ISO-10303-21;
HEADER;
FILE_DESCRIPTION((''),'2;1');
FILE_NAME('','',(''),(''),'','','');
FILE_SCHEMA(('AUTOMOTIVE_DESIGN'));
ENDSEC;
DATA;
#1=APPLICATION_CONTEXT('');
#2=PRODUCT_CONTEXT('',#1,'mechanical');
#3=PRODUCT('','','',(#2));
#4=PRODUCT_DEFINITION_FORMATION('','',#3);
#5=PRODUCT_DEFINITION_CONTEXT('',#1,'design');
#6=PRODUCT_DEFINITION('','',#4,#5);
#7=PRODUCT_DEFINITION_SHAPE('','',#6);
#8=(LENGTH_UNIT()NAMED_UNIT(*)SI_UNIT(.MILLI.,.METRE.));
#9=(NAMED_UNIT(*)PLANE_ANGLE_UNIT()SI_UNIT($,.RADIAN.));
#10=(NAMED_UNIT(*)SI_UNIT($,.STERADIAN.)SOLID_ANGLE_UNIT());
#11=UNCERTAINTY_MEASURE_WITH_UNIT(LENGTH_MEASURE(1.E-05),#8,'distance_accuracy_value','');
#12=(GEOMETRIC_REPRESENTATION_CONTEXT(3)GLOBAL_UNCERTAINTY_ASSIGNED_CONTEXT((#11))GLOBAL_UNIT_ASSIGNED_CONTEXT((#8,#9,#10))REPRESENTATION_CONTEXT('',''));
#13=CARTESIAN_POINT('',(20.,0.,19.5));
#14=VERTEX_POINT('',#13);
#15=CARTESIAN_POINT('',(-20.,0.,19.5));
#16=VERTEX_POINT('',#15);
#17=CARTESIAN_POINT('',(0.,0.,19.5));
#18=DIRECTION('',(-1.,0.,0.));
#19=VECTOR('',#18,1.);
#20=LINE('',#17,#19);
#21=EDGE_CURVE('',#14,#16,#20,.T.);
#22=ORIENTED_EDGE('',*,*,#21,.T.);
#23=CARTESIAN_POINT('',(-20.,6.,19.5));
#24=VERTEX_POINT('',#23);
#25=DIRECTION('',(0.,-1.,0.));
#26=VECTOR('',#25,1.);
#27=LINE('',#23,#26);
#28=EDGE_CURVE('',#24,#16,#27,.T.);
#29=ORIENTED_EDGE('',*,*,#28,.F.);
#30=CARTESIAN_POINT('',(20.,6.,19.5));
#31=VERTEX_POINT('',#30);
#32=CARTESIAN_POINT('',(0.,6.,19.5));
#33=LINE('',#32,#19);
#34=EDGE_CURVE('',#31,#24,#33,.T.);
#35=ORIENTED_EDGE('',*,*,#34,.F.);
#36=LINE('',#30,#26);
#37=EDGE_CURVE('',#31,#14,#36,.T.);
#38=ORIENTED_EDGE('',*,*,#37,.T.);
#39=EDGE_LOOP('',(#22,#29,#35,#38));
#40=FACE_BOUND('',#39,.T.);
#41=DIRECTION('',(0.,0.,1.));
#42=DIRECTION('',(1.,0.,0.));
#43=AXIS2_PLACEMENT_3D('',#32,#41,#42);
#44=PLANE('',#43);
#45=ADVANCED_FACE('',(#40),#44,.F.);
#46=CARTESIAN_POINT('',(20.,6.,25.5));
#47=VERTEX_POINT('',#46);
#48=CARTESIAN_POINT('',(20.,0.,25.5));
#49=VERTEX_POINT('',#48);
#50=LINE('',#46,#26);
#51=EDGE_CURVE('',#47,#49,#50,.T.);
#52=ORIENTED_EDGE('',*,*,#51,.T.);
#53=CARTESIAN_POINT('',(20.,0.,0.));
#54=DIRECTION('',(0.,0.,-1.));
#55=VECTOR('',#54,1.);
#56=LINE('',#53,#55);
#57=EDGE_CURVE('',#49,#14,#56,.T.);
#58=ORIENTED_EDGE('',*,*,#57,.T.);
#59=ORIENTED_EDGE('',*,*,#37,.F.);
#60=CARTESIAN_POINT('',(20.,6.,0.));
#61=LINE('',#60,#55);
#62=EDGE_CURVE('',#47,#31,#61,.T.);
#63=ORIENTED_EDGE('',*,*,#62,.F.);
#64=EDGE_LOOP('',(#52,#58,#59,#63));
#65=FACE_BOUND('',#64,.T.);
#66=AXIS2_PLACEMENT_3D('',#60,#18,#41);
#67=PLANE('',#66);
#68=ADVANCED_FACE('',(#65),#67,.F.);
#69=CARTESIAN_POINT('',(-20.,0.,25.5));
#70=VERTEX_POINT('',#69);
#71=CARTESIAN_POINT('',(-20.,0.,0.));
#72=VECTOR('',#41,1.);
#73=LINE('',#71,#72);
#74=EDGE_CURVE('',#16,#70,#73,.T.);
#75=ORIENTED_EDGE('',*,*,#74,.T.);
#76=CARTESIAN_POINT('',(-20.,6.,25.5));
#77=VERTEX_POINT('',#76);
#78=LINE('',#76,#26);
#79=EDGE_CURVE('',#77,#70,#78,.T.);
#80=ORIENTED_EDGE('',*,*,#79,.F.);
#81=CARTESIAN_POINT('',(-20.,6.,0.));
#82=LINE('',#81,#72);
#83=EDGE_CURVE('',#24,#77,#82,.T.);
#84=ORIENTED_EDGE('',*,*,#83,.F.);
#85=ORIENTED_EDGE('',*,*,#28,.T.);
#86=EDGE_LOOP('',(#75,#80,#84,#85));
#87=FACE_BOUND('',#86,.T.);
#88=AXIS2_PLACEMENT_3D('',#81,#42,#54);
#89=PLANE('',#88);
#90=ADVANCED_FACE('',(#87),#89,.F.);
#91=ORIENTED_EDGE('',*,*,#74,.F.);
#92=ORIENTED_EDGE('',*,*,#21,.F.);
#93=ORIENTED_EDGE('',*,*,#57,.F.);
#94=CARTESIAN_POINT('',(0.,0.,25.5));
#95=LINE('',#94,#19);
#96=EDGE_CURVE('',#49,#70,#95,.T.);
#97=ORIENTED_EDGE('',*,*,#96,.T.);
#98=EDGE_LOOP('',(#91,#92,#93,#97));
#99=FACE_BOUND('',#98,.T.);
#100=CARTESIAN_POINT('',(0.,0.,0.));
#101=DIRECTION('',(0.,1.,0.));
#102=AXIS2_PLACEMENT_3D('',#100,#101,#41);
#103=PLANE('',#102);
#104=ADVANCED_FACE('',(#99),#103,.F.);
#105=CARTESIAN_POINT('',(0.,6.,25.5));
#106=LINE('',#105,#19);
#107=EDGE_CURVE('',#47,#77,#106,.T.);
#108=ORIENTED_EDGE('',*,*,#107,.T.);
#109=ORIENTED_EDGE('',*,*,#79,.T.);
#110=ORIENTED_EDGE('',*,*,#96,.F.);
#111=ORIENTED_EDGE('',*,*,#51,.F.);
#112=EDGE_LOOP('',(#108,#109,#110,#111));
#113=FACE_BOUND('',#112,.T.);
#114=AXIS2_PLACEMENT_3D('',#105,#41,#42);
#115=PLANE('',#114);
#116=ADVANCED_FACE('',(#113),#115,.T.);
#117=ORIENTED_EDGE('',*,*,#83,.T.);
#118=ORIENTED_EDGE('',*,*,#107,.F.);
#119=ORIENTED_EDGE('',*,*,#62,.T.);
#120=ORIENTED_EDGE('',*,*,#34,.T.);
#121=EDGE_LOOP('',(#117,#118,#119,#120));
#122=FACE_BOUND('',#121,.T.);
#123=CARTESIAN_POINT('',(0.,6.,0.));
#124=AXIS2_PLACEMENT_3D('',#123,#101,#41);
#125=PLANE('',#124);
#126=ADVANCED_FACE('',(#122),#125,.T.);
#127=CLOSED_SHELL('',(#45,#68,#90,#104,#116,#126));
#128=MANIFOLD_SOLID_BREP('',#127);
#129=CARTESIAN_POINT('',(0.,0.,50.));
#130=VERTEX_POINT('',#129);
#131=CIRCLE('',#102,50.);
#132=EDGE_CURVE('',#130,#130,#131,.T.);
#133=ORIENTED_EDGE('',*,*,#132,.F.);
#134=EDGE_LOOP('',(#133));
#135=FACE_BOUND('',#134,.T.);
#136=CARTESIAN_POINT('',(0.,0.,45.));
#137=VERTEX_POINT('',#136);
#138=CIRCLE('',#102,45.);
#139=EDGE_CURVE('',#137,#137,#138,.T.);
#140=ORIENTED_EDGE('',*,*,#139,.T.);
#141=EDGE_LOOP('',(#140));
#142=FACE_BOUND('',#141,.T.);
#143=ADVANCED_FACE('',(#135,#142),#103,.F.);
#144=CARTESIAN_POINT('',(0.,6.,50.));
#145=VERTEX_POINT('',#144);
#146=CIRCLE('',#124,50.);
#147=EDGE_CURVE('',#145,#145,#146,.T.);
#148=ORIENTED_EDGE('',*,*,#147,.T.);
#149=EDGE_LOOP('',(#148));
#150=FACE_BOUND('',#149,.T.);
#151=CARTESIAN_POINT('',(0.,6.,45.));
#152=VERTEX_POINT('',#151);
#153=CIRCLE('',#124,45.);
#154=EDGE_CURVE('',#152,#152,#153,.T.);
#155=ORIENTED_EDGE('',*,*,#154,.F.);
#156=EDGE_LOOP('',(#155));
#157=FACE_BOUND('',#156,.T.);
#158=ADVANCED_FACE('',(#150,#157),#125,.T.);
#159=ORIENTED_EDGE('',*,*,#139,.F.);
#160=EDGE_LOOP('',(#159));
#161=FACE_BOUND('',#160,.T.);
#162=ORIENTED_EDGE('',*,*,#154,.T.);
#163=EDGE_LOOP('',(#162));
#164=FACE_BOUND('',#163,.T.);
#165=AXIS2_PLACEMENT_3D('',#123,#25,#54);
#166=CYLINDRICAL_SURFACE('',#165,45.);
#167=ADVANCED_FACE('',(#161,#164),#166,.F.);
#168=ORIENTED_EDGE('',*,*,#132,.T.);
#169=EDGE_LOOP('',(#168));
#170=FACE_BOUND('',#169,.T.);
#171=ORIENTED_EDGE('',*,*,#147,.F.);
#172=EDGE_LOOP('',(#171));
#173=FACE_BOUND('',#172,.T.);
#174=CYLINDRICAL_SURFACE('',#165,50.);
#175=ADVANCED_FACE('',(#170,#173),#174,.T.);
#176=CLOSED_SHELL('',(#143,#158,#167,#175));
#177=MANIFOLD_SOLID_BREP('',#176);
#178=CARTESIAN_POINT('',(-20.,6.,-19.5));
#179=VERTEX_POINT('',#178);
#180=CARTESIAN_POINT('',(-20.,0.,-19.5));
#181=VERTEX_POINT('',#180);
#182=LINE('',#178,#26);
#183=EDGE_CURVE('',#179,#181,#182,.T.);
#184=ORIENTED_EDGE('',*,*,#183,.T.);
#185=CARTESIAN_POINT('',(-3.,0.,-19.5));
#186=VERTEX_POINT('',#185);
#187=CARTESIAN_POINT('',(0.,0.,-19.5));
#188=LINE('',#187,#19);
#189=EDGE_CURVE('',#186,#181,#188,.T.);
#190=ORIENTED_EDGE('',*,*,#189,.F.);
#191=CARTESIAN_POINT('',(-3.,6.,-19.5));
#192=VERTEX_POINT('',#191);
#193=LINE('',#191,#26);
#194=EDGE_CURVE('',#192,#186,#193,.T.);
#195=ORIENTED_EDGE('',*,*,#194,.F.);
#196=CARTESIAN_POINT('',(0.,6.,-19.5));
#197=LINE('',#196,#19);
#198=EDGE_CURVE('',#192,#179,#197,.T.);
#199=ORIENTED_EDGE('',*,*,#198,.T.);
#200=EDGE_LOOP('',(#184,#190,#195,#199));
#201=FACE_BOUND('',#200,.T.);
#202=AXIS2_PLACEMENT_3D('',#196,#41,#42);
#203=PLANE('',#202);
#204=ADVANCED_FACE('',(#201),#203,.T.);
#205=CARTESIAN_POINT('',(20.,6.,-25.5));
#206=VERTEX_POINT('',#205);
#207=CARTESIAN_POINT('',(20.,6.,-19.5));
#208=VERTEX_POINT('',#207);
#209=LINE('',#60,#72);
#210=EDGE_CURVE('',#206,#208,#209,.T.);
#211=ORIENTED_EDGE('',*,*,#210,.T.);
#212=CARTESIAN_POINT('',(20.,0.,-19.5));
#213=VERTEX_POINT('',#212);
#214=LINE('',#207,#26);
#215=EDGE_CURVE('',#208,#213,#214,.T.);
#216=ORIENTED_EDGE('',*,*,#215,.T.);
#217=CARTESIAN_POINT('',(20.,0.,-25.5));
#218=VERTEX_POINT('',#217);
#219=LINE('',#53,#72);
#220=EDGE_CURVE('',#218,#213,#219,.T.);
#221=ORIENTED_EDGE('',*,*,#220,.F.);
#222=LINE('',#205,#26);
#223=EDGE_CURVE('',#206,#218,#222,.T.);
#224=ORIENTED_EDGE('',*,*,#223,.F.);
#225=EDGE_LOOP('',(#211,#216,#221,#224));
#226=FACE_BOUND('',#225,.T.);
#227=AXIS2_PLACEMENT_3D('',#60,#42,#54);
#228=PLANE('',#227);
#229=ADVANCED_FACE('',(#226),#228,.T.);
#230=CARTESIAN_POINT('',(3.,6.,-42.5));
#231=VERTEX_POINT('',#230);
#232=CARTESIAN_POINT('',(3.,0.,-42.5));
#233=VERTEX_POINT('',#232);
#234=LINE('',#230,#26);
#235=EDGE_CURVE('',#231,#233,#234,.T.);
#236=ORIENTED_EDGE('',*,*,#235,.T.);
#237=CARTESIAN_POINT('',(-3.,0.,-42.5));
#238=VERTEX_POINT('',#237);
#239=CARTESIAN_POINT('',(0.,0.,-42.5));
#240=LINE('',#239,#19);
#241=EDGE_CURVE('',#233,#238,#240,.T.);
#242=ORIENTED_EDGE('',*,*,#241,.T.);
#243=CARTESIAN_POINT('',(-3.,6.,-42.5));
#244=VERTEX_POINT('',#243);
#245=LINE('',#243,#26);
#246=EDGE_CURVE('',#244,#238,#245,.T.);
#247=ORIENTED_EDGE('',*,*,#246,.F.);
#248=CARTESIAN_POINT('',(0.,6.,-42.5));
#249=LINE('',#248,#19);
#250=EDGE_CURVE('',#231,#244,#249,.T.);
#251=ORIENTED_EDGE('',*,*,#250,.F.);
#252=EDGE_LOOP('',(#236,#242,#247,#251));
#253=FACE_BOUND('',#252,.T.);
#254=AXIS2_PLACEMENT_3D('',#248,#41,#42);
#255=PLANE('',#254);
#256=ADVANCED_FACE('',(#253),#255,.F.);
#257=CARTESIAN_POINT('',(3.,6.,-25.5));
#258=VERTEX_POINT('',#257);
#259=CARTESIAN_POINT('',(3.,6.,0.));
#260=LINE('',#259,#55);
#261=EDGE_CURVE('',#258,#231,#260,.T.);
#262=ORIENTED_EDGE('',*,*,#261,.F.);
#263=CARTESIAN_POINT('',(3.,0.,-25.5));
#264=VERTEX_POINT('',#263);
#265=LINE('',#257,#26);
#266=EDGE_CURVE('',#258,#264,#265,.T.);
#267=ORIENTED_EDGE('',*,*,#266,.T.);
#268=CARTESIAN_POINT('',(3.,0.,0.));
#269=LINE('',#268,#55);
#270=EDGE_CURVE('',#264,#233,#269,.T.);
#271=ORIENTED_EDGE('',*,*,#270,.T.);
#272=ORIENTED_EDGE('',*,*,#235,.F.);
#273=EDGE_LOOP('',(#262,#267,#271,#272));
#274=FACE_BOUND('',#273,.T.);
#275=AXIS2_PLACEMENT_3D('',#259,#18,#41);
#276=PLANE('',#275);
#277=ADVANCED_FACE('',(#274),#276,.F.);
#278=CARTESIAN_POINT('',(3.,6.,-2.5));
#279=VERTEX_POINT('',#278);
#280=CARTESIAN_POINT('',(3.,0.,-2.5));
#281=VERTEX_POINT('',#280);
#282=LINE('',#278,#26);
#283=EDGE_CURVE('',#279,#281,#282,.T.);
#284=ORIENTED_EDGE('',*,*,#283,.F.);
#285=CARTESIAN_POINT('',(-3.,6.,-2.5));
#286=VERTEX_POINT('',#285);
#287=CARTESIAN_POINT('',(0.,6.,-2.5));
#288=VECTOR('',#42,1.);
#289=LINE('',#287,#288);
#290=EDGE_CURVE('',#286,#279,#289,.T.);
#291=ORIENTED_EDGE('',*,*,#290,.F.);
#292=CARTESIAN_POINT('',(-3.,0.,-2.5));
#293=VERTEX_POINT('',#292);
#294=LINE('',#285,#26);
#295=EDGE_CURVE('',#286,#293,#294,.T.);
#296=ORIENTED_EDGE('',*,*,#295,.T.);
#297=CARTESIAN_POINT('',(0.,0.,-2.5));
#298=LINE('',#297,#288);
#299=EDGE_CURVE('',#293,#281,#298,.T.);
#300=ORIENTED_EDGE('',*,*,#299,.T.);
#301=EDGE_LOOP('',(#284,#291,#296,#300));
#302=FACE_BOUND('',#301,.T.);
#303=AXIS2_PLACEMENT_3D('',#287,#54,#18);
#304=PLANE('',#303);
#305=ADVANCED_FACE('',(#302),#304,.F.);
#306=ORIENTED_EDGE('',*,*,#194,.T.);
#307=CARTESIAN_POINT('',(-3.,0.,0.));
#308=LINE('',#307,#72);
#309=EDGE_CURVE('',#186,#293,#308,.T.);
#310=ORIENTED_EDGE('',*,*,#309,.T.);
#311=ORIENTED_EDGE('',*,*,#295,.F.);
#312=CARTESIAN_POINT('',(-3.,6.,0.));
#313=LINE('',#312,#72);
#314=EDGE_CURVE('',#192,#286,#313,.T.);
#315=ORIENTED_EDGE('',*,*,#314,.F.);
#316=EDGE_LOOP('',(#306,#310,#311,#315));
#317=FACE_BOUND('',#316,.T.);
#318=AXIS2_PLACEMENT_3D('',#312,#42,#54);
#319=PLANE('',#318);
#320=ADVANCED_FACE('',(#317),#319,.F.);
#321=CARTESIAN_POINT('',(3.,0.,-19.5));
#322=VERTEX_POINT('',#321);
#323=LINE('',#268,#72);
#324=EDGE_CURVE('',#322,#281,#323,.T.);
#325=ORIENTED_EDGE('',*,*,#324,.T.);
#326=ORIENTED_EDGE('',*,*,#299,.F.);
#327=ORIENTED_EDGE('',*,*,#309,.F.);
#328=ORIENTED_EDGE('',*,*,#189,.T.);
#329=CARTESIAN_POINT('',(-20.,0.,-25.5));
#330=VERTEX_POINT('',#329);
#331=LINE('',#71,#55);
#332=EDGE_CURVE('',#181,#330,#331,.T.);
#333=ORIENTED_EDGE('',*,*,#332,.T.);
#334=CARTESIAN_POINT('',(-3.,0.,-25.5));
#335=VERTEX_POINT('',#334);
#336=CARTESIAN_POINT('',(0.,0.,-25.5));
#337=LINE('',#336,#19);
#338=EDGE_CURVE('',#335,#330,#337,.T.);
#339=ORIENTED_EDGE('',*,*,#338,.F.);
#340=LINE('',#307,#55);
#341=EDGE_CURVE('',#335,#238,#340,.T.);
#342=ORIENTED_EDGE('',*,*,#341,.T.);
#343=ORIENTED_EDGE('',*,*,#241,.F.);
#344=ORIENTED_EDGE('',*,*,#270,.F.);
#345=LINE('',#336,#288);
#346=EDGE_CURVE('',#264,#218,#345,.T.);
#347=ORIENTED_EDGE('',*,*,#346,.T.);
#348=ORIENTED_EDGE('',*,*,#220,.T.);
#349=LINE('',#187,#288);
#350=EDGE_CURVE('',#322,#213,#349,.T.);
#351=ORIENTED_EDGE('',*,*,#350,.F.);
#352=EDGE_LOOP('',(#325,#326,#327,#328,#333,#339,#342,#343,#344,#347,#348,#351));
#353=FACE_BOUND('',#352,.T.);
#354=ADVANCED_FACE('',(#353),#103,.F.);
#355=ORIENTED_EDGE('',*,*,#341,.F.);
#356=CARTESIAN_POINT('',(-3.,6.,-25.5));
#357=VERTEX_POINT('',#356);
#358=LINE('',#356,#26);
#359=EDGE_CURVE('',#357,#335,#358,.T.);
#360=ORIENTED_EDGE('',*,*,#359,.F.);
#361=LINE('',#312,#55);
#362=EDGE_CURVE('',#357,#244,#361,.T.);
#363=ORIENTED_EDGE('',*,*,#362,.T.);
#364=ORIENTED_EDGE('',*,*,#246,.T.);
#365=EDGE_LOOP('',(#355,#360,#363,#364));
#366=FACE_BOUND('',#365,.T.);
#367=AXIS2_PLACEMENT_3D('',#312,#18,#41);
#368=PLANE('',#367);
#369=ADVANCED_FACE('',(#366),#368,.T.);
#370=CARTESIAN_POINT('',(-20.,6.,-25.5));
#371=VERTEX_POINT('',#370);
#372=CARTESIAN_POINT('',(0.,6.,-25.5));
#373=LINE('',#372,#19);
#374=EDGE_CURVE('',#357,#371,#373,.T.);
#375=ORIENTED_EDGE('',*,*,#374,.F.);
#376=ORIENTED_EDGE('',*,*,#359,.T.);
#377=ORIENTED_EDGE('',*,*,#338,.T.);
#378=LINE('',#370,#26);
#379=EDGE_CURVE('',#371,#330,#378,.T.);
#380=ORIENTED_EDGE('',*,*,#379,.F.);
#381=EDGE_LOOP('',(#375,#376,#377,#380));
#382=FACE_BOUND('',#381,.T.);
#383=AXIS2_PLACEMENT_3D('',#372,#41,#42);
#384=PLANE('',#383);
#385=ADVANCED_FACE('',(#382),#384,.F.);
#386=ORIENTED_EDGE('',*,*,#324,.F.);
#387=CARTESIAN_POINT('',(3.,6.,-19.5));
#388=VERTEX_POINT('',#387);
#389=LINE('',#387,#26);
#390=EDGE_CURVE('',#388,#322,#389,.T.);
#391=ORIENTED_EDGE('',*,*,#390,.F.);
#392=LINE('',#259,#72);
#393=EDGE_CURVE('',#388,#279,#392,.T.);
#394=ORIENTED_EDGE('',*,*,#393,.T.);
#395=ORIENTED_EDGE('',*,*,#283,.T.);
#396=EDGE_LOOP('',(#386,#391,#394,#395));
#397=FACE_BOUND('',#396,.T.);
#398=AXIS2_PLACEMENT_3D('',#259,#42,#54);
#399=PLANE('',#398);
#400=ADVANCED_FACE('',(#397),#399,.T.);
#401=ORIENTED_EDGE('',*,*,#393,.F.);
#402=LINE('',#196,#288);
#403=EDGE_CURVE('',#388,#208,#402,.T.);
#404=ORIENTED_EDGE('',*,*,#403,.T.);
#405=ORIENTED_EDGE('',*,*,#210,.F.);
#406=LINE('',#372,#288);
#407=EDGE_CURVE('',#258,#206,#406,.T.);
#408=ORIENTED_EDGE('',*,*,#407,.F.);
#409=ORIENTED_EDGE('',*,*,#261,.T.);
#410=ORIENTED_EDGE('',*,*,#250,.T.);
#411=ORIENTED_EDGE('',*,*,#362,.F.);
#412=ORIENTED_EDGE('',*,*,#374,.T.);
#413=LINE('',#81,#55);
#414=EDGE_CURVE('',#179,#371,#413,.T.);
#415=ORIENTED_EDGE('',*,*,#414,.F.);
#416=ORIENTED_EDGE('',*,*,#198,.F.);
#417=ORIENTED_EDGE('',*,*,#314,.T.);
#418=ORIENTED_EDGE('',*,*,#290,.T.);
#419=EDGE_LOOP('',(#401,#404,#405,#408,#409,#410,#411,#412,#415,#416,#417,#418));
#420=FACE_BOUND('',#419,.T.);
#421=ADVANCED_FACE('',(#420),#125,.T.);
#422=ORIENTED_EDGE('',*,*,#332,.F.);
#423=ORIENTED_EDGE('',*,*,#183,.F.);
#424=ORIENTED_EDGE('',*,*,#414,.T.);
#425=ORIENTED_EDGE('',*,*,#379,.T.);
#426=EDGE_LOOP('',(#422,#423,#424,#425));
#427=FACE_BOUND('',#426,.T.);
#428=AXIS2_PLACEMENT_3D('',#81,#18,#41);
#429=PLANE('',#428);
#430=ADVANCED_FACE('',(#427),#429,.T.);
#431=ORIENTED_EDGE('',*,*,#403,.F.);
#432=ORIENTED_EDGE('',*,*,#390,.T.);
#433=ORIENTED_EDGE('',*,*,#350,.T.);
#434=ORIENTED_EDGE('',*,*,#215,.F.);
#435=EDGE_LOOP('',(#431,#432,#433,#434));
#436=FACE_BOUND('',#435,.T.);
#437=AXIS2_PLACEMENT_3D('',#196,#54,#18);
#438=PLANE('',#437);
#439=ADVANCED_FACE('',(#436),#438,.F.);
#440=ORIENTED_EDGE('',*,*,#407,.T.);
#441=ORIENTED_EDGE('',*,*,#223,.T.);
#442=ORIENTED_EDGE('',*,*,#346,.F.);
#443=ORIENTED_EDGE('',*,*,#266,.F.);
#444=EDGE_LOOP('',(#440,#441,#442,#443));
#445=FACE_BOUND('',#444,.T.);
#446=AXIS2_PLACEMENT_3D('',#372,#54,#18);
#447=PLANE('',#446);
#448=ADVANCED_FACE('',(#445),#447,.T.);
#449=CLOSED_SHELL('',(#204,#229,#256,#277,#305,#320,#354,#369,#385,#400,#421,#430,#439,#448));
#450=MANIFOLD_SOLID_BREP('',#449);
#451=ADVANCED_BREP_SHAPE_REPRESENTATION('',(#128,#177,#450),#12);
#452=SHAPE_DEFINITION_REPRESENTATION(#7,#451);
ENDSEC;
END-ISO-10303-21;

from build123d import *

# Parameters (mm, degrees)
SKETCH1_R           = 50
SKETCH1_R_2         = 45
BOSS_EXTRUDE2_DEPTH = 6


with BuildPart() as part:
    # Sketch1 → Boss-Extrude2 (new body)
    with BuildSketch(Plane(origin=(0, 0, 0), x_dir=(1, 0, 0), z_dir=(0, 1, 0))):
        Circle(SKETCH1_R)
        Circle(SKETCH1_R_2, mode=Mode.SUBTRACT)
        Polygon((0, -19.5), (20, -19.5), (20, -25.5), (0, -25.5), (-20, -25.5), (-20, -19.5), align=None)
        Polygon((20, 25.5), (20, 19.5), (0, 19.5), (-20, 19.5), (-20, 25.5), (0, 25.5), align=None)
        Polygon((-3, 2.5), (3, 2.5), (3, 22.5), (3, 42.5), (-3, 42.5), (-3, 22.5), align=None)
    extrude(amount=BOSS_EXTRUDE2_DEPTH)


solid = part.part
